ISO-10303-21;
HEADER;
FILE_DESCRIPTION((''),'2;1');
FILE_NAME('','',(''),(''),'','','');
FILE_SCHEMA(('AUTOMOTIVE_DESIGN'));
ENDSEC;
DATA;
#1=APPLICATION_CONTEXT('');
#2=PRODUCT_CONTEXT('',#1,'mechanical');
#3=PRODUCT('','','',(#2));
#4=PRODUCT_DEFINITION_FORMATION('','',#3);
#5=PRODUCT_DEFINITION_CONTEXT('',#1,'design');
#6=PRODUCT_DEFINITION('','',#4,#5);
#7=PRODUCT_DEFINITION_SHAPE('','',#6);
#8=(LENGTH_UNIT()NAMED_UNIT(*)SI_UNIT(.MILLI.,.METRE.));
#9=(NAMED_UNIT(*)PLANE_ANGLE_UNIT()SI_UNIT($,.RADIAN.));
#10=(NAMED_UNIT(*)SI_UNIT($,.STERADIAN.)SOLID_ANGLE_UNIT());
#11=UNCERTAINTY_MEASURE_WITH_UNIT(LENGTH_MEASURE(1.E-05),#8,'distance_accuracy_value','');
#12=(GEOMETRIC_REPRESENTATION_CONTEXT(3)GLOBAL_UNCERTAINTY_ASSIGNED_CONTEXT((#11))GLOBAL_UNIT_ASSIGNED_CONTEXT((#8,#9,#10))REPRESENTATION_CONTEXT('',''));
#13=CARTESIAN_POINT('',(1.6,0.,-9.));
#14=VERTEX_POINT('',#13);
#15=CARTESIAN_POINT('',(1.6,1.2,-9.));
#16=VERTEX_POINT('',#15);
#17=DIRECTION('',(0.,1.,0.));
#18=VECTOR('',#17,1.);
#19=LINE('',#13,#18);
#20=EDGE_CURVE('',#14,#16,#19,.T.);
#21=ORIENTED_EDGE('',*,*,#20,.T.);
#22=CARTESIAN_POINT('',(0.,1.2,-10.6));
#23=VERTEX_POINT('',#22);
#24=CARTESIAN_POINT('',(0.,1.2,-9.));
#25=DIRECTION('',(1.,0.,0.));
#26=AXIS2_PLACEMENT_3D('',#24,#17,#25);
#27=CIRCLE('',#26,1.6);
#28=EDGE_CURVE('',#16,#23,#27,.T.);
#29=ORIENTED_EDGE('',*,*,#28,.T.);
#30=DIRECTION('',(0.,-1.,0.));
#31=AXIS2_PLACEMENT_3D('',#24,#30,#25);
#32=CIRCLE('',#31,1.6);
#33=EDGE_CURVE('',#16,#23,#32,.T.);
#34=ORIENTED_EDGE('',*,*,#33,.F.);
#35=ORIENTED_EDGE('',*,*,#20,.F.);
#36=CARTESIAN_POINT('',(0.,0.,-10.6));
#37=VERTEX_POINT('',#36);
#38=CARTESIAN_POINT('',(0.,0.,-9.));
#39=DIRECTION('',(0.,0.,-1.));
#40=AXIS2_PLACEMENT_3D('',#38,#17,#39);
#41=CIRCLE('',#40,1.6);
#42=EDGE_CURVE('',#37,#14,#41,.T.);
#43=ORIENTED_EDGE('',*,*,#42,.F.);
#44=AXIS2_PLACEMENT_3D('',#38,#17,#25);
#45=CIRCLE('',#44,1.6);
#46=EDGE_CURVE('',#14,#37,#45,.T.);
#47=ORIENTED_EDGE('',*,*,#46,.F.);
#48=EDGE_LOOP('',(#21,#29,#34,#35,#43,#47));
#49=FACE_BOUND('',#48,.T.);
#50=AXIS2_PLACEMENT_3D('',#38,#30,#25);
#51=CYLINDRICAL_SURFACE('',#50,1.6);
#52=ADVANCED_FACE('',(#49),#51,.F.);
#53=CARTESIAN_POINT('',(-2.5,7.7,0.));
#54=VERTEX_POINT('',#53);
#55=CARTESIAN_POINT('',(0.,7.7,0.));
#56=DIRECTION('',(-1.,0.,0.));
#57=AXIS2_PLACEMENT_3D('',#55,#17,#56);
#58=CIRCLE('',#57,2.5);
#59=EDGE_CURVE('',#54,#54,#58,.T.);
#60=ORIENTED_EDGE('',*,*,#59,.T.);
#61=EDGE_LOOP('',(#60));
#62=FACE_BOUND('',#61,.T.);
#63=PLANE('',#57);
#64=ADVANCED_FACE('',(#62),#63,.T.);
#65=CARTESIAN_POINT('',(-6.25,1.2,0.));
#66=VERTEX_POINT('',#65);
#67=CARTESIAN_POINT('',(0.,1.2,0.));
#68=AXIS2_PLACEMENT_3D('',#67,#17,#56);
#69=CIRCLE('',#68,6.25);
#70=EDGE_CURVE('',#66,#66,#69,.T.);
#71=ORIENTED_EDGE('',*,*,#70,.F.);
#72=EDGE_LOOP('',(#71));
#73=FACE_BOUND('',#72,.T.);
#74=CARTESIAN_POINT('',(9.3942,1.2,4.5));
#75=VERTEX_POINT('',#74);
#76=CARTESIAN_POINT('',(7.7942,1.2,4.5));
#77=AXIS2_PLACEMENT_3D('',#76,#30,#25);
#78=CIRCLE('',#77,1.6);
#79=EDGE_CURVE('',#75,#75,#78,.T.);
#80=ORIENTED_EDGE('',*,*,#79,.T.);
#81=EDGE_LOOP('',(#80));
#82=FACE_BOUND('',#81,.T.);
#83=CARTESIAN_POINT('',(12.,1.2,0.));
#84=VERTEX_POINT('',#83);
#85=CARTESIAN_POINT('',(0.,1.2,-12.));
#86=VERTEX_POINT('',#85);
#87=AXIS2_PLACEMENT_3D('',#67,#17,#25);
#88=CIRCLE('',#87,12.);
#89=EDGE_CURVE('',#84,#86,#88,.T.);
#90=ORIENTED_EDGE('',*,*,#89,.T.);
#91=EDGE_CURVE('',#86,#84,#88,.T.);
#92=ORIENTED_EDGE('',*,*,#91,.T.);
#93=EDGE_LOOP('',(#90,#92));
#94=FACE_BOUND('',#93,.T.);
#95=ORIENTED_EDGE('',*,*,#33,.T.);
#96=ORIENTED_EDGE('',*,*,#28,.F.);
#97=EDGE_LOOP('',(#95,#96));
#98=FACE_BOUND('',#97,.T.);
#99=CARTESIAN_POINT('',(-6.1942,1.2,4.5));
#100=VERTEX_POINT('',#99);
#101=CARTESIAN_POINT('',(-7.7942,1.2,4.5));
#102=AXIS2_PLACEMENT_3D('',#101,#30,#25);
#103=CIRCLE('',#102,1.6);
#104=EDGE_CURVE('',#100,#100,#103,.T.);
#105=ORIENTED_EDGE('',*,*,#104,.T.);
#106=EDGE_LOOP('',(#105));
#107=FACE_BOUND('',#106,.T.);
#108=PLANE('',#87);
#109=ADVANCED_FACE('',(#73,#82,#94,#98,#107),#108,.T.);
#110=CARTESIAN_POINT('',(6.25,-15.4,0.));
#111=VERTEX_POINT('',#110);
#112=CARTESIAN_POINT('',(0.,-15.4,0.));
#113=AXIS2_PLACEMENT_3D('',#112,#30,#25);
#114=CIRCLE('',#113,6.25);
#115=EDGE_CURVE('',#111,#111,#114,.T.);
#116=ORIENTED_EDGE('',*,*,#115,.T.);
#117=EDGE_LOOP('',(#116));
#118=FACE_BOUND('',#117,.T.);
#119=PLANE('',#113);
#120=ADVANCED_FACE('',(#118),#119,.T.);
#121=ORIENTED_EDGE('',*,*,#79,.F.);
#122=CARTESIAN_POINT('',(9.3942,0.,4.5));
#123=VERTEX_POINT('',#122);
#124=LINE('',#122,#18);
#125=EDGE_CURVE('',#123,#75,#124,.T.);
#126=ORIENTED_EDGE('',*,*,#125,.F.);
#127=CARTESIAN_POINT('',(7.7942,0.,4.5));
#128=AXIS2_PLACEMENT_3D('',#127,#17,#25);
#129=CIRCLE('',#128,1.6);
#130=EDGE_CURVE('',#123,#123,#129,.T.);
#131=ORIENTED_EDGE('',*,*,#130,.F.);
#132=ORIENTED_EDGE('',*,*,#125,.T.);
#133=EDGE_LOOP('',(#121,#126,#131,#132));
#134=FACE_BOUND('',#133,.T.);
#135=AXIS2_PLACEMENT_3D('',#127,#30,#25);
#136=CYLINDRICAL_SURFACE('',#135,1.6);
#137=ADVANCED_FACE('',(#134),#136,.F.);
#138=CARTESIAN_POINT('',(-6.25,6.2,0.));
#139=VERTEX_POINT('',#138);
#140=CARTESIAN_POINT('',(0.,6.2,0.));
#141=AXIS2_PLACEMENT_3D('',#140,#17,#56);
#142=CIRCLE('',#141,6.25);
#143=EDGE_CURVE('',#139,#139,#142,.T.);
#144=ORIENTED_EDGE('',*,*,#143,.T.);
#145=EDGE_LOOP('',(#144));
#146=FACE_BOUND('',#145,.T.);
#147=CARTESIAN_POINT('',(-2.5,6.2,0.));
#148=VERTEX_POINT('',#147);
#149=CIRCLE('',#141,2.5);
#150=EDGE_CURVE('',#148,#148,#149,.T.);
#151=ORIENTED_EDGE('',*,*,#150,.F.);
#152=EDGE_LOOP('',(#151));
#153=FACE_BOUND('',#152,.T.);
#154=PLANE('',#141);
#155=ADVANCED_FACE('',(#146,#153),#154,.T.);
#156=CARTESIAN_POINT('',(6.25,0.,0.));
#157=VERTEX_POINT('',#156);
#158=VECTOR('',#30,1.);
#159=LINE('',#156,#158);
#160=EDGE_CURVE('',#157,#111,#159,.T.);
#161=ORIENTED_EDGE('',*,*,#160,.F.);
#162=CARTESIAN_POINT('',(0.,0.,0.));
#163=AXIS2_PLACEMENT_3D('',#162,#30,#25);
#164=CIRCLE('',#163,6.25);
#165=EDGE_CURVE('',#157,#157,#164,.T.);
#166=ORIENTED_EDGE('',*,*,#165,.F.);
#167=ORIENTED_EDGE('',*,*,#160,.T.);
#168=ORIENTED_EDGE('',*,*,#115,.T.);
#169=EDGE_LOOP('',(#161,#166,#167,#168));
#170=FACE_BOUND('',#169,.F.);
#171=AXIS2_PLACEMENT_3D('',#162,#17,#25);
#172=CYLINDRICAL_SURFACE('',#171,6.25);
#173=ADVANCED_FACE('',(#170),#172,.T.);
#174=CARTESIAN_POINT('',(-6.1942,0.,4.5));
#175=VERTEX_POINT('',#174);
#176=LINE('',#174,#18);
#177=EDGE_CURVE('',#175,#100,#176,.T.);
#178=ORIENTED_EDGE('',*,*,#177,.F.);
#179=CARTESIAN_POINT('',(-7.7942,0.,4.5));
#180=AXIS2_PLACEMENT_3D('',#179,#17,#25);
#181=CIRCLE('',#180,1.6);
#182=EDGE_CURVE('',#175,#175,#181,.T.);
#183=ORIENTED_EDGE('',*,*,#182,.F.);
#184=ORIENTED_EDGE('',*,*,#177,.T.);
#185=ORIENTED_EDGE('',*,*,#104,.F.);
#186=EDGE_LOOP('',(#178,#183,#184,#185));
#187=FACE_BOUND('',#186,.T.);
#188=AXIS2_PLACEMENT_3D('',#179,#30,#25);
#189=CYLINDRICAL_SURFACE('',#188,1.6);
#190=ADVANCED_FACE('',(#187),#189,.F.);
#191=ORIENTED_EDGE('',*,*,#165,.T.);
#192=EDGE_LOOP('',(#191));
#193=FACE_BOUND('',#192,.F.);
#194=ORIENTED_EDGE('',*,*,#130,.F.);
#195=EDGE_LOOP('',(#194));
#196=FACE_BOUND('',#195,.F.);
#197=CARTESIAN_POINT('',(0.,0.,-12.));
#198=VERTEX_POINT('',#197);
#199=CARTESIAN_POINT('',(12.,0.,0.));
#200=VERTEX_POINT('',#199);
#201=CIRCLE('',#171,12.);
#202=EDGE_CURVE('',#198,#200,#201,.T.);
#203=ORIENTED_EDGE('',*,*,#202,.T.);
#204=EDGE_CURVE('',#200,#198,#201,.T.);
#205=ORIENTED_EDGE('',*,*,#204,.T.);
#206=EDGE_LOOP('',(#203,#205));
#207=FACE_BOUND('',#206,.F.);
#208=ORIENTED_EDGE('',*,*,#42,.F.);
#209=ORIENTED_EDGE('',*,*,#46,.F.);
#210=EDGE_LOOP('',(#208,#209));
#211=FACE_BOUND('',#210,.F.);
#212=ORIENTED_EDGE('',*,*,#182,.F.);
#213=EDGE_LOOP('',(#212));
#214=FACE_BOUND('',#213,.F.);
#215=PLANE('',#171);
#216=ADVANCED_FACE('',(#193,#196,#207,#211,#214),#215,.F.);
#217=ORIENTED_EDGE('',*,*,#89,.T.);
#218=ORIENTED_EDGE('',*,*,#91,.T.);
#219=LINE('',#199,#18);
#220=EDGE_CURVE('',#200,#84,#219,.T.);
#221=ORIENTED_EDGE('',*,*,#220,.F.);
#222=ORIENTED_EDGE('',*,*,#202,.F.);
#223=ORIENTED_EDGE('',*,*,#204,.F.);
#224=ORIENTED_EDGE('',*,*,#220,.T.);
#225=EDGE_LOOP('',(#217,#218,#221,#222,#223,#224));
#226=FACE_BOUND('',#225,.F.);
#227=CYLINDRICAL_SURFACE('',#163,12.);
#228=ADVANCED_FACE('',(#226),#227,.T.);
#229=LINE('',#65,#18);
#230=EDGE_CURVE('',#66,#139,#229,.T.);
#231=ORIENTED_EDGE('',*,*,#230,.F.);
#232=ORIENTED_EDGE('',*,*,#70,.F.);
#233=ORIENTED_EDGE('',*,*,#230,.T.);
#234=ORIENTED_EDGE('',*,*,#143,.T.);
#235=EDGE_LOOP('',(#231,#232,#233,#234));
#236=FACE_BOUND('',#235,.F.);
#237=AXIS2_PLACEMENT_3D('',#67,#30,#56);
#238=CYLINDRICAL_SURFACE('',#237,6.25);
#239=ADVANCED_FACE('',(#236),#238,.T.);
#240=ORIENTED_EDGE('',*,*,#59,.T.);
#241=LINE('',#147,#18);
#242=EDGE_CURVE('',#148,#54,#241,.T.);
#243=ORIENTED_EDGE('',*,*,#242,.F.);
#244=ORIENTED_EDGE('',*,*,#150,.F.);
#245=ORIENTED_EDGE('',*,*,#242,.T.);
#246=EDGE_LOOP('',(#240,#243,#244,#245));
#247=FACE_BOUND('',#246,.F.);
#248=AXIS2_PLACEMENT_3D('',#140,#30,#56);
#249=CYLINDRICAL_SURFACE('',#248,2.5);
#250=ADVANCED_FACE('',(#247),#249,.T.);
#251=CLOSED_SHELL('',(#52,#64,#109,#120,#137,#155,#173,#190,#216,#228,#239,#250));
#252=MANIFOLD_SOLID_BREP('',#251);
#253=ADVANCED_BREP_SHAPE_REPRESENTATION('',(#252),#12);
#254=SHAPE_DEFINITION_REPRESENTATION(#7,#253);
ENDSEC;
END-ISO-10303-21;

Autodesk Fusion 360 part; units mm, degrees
sketch "Esquisse1" plane through (0, 0, 0) normal (0, 1, 0) x (1, 0, 0)
  circle A0 centre (0, 0) radius 12
  line L0 (0, 0) -> (0, 12)
  circle A1 centre (0, 0) radius 9
  circle A2 centre (0, 9) radius 1.6
  circle A3 centre (-7.7942, -4.5) radius 1.6
  circle A4 centre (7.7942, -4.5) radius 1.6
  dimension "d1" = 24
  dimension "d2" = 18
  dimension "d3" = 3.2
  dimension "d5" = 360
extrude "Extrusion1" add sketch "Esquisse1" along normal blind 1.2 contours A0 | A1 A2 A3 A4 makes body 1
sketch "Esquisse2" plane through (0, 1.2, 0) normal (0, 1, 0) x (-1, 0, 0)
  circle A0 centre (-7.7942, 4.5) radius 1.6
  circle A1 centre (0, -9) radius 1.6
  circle A2 centre (7.7942, 4.5) radius 1.6
  circle A3 centre (0, 0) radius 12
  circle A4 centre (0, 0) radius 6.25
  dimension "d8" = 12.5
extrude "Extrusion2" add sketch "Esquisse2" along normal blind 5 contours A4 bodies 1
sketch "Esquisse3" plane through (0, 0, 0) normal (0, -1, 0) x (1, 0, 0)
  circle A0 centre (7.7942, 4.5) radius 1.6
  circle A1 centre (0, -9) radius 1.6
  circle A2 centre (-7.7942, 4.5) radius 1.6
  circle A3 centre (0, 0) radius 12
  circle A4 centre (0, 0) radius 6.25
  dimension "d11" = 12.5
extrude "Extrusion3" add sketch "Esquisse3" along normal blind 15.4 contours A4 bodies 1
sketch "Esquisse4" plane through (0, 6.2, 0) normal (0, 1, 0) x (-1, 0, 0)
  circle A0 centre (0, 0) radius 6.25
  circle A1 centre (0, 0) radius 2.5
  dimension "d14" = 5
extrude "Extrusion4" add sketch "Esquisse4" along normal blind 1.5 contours A1 bodies 1
copy_body "Corps->Comp1" bodies 1 removing the originals makes body 2 in component "anneau coulissant rotatif"
component "anneau coulissant rotatif" placed x (1, 0, 0) y (0, 1, 0) z (0, 0, 1) at (0, 0, 0)
equation "d12 = 21.6 mm - 5 mm - 1.2 mm"
